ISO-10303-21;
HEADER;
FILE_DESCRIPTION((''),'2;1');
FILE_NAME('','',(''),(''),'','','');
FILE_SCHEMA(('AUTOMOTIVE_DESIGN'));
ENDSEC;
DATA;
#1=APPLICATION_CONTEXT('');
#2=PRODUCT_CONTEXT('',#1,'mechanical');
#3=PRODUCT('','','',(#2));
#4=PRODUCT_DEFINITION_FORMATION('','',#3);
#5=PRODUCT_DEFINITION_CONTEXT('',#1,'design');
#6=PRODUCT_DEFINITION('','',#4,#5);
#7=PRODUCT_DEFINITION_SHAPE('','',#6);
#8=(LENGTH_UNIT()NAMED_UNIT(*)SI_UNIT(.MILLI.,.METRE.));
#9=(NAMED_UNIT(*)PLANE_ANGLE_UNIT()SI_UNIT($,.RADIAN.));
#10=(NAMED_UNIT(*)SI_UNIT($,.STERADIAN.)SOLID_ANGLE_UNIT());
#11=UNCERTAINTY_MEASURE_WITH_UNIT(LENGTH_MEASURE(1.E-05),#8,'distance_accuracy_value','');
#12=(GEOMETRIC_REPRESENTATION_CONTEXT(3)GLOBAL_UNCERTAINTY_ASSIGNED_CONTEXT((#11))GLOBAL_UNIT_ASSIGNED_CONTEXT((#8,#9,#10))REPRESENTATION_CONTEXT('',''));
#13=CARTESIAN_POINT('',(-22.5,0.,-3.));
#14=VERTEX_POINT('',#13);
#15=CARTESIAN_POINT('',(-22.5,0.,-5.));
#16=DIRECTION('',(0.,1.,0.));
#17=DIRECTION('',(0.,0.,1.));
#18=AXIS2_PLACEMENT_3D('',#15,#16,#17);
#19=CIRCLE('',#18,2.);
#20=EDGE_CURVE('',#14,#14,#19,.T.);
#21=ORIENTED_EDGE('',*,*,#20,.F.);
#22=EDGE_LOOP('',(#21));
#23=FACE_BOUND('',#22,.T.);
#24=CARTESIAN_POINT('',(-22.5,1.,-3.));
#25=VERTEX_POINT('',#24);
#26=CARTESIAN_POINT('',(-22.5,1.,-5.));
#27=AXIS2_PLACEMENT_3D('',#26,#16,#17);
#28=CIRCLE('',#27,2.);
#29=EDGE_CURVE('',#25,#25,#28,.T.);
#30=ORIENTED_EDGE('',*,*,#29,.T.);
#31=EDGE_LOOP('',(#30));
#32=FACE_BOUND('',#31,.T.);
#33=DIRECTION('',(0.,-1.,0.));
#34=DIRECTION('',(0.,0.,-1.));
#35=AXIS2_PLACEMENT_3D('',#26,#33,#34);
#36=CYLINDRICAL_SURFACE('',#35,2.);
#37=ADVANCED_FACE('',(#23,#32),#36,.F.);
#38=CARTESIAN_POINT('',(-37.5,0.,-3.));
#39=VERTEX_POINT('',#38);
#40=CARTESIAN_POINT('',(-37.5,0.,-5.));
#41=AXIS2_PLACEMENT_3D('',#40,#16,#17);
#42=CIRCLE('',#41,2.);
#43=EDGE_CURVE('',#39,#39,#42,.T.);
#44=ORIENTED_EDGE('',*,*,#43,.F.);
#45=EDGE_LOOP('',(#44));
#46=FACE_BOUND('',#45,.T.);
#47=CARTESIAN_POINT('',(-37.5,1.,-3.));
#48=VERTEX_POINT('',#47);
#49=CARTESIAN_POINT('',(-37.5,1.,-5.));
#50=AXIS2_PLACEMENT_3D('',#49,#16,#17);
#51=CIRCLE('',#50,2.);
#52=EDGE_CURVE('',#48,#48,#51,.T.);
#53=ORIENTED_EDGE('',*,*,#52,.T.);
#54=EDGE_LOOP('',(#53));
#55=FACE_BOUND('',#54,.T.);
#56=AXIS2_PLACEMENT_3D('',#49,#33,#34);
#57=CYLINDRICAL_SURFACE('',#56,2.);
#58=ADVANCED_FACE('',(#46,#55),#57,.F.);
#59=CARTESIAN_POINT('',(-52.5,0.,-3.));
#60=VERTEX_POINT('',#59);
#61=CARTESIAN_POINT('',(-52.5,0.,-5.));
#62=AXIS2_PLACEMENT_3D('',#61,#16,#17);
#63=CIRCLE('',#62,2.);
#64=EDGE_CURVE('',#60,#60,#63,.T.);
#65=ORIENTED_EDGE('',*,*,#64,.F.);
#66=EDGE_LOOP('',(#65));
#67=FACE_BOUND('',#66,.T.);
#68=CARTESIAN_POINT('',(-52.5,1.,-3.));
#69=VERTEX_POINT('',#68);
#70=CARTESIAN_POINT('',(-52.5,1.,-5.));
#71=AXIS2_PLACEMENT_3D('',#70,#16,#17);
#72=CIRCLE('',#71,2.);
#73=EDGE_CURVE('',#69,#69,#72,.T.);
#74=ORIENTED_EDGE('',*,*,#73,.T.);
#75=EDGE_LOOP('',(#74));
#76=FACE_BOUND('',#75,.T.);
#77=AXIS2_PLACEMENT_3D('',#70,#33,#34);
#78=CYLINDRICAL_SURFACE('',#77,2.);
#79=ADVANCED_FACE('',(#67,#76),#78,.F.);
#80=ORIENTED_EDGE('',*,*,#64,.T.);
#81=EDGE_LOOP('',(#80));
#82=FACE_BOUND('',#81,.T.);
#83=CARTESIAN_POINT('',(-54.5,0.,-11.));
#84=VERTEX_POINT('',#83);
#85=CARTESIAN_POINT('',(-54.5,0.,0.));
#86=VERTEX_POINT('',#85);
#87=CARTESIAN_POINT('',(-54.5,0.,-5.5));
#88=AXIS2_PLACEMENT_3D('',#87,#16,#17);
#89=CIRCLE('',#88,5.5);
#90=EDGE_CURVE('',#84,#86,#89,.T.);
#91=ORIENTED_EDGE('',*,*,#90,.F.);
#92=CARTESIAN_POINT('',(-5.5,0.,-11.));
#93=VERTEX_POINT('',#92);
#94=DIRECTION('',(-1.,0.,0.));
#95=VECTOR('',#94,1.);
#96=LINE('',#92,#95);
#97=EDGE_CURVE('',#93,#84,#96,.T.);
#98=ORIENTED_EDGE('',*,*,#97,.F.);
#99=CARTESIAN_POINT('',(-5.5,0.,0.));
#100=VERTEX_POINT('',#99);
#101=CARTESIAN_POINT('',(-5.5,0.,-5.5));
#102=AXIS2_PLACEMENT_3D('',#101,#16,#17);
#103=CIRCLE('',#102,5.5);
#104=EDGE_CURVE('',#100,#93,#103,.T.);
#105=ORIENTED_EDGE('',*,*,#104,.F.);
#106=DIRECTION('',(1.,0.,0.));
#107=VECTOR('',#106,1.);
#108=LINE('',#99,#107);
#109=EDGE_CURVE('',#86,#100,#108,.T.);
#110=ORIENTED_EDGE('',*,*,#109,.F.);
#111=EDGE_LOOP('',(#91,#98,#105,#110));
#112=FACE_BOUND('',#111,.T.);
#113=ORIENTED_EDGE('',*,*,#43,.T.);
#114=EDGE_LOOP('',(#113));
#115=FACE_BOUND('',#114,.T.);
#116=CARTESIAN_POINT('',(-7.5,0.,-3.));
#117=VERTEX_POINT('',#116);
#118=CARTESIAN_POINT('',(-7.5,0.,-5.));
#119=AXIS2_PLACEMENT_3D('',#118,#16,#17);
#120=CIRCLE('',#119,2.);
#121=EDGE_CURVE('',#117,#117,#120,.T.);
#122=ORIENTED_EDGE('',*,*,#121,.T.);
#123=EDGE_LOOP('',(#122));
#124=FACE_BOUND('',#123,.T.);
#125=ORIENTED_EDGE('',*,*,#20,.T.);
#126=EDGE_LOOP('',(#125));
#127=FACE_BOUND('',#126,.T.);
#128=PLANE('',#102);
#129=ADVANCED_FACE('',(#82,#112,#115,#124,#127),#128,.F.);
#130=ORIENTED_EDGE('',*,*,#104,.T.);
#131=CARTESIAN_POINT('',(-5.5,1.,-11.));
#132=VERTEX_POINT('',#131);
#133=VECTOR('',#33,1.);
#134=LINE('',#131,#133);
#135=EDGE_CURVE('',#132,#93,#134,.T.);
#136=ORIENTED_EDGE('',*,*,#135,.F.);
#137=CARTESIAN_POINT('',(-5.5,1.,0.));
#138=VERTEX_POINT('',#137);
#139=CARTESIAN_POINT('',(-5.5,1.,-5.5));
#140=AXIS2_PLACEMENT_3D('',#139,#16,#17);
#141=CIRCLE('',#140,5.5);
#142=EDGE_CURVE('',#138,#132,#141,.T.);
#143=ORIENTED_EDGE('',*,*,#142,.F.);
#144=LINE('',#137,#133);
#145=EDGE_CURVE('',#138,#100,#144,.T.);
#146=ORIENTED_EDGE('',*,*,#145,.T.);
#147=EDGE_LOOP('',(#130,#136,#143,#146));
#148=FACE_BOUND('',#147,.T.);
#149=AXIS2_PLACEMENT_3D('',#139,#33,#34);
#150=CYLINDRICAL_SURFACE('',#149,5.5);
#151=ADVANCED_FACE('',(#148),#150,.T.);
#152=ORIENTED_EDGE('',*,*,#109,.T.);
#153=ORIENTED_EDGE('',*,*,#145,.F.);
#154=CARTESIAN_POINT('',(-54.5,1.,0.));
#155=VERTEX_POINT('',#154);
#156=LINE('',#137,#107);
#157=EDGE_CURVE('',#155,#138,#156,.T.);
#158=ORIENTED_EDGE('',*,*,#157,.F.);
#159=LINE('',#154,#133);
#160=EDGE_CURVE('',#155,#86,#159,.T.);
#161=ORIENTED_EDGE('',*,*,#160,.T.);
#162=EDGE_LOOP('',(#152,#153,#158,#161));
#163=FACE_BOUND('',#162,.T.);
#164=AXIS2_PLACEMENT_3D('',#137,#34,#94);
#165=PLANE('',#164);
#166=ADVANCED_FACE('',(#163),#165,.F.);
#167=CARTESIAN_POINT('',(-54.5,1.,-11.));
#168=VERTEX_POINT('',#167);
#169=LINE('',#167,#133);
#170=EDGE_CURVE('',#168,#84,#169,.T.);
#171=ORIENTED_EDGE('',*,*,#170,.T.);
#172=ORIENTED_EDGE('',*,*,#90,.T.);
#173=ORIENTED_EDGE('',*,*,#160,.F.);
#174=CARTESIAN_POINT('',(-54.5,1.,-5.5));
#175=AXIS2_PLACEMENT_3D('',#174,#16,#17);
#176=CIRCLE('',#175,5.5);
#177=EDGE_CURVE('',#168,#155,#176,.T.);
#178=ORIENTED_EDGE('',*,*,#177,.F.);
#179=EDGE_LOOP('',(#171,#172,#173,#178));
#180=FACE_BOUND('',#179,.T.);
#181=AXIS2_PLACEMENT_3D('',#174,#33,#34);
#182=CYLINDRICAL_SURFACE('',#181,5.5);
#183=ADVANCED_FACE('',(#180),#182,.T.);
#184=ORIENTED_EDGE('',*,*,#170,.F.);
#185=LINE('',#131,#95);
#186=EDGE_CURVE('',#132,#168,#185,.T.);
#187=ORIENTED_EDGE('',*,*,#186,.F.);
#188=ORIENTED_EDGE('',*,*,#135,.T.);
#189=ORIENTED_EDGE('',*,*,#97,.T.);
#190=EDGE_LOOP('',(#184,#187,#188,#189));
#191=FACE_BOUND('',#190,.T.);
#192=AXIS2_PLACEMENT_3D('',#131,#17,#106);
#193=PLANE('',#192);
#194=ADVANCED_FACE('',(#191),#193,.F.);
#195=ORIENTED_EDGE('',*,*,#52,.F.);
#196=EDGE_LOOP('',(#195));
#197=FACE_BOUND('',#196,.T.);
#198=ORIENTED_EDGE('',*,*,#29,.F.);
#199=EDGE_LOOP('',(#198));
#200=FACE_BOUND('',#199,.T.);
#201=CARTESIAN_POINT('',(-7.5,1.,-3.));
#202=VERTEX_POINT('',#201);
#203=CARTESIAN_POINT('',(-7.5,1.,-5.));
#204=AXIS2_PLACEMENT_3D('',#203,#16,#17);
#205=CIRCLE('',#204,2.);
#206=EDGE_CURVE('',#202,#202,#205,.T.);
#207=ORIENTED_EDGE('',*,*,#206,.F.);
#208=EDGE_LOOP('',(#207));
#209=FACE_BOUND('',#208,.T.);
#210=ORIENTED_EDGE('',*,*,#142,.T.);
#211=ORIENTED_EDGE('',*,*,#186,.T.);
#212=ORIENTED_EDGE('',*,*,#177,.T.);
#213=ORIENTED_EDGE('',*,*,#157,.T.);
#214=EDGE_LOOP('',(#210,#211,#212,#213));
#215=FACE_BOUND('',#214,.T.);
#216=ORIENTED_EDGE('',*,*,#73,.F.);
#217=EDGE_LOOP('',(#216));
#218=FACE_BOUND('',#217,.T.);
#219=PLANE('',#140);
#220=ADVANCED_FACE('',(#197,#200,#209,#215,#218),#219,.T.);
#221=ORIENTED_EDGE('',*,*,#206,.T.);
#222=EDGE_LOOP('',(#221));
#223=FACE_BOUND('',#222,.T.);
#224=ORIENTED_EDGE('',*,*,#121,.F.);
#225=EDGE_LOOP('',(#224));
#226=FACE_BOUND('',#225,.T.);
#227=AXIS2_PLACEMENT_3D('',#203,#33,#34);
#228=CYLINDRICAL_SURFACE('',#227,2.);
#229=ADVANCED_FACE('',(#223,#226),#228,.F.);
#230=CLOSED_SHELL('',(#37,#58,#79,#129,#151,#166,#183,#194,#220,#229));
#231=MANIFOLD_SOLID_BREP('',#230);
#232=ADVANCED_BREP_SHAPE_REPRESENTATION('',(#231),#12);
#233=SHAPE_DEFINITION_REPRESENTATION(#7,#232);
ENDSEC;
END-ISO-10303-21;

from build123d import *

# Parameters (mm, degrees)
SKETCH1_R           = 2
BOSS_EXTRUDE1_DEPTH = 1


with BuildPart() as part:
    # Sketch1 → Boss-Extrude1 (new body)
    with BuildSketch(Plane(origin=(0, 0, 0), x_dir=(1, 0, 0), z_dir=(0, 1, 0))):
        with BuildLine():
            Line((-5.5, 0), (-54.5, 0))
            ThreePointArc((-54.5, 0), (-60, 5.5), (-54.5, 11))
            Line((-54.5, 11), (-5.5, 11))
            ThreePointArc((-5.5, 11), (0, 5.5), (-5.5, 0))
        make_face()
        with Locations((-52.5, 5)):
            Circle(SKETCH1_R, mode=Mode.SUBTRACT)
        with Locations((-37.5, 5)):
            Circle(SKETCH1_R, mode=Mode.SUBTRACT)
        with Locations((-22.5, 5)):
            Circle(SKETCH1_R, mode=Mode.SUBTRACT)
        with Locations((-7.5, 5)):
            Circle(SKETCH1_R, mode=Mode.SUBTRACT)
    extrude(amount=BOSS_EXTRUDE1_DEPTH)


solid = part.part
